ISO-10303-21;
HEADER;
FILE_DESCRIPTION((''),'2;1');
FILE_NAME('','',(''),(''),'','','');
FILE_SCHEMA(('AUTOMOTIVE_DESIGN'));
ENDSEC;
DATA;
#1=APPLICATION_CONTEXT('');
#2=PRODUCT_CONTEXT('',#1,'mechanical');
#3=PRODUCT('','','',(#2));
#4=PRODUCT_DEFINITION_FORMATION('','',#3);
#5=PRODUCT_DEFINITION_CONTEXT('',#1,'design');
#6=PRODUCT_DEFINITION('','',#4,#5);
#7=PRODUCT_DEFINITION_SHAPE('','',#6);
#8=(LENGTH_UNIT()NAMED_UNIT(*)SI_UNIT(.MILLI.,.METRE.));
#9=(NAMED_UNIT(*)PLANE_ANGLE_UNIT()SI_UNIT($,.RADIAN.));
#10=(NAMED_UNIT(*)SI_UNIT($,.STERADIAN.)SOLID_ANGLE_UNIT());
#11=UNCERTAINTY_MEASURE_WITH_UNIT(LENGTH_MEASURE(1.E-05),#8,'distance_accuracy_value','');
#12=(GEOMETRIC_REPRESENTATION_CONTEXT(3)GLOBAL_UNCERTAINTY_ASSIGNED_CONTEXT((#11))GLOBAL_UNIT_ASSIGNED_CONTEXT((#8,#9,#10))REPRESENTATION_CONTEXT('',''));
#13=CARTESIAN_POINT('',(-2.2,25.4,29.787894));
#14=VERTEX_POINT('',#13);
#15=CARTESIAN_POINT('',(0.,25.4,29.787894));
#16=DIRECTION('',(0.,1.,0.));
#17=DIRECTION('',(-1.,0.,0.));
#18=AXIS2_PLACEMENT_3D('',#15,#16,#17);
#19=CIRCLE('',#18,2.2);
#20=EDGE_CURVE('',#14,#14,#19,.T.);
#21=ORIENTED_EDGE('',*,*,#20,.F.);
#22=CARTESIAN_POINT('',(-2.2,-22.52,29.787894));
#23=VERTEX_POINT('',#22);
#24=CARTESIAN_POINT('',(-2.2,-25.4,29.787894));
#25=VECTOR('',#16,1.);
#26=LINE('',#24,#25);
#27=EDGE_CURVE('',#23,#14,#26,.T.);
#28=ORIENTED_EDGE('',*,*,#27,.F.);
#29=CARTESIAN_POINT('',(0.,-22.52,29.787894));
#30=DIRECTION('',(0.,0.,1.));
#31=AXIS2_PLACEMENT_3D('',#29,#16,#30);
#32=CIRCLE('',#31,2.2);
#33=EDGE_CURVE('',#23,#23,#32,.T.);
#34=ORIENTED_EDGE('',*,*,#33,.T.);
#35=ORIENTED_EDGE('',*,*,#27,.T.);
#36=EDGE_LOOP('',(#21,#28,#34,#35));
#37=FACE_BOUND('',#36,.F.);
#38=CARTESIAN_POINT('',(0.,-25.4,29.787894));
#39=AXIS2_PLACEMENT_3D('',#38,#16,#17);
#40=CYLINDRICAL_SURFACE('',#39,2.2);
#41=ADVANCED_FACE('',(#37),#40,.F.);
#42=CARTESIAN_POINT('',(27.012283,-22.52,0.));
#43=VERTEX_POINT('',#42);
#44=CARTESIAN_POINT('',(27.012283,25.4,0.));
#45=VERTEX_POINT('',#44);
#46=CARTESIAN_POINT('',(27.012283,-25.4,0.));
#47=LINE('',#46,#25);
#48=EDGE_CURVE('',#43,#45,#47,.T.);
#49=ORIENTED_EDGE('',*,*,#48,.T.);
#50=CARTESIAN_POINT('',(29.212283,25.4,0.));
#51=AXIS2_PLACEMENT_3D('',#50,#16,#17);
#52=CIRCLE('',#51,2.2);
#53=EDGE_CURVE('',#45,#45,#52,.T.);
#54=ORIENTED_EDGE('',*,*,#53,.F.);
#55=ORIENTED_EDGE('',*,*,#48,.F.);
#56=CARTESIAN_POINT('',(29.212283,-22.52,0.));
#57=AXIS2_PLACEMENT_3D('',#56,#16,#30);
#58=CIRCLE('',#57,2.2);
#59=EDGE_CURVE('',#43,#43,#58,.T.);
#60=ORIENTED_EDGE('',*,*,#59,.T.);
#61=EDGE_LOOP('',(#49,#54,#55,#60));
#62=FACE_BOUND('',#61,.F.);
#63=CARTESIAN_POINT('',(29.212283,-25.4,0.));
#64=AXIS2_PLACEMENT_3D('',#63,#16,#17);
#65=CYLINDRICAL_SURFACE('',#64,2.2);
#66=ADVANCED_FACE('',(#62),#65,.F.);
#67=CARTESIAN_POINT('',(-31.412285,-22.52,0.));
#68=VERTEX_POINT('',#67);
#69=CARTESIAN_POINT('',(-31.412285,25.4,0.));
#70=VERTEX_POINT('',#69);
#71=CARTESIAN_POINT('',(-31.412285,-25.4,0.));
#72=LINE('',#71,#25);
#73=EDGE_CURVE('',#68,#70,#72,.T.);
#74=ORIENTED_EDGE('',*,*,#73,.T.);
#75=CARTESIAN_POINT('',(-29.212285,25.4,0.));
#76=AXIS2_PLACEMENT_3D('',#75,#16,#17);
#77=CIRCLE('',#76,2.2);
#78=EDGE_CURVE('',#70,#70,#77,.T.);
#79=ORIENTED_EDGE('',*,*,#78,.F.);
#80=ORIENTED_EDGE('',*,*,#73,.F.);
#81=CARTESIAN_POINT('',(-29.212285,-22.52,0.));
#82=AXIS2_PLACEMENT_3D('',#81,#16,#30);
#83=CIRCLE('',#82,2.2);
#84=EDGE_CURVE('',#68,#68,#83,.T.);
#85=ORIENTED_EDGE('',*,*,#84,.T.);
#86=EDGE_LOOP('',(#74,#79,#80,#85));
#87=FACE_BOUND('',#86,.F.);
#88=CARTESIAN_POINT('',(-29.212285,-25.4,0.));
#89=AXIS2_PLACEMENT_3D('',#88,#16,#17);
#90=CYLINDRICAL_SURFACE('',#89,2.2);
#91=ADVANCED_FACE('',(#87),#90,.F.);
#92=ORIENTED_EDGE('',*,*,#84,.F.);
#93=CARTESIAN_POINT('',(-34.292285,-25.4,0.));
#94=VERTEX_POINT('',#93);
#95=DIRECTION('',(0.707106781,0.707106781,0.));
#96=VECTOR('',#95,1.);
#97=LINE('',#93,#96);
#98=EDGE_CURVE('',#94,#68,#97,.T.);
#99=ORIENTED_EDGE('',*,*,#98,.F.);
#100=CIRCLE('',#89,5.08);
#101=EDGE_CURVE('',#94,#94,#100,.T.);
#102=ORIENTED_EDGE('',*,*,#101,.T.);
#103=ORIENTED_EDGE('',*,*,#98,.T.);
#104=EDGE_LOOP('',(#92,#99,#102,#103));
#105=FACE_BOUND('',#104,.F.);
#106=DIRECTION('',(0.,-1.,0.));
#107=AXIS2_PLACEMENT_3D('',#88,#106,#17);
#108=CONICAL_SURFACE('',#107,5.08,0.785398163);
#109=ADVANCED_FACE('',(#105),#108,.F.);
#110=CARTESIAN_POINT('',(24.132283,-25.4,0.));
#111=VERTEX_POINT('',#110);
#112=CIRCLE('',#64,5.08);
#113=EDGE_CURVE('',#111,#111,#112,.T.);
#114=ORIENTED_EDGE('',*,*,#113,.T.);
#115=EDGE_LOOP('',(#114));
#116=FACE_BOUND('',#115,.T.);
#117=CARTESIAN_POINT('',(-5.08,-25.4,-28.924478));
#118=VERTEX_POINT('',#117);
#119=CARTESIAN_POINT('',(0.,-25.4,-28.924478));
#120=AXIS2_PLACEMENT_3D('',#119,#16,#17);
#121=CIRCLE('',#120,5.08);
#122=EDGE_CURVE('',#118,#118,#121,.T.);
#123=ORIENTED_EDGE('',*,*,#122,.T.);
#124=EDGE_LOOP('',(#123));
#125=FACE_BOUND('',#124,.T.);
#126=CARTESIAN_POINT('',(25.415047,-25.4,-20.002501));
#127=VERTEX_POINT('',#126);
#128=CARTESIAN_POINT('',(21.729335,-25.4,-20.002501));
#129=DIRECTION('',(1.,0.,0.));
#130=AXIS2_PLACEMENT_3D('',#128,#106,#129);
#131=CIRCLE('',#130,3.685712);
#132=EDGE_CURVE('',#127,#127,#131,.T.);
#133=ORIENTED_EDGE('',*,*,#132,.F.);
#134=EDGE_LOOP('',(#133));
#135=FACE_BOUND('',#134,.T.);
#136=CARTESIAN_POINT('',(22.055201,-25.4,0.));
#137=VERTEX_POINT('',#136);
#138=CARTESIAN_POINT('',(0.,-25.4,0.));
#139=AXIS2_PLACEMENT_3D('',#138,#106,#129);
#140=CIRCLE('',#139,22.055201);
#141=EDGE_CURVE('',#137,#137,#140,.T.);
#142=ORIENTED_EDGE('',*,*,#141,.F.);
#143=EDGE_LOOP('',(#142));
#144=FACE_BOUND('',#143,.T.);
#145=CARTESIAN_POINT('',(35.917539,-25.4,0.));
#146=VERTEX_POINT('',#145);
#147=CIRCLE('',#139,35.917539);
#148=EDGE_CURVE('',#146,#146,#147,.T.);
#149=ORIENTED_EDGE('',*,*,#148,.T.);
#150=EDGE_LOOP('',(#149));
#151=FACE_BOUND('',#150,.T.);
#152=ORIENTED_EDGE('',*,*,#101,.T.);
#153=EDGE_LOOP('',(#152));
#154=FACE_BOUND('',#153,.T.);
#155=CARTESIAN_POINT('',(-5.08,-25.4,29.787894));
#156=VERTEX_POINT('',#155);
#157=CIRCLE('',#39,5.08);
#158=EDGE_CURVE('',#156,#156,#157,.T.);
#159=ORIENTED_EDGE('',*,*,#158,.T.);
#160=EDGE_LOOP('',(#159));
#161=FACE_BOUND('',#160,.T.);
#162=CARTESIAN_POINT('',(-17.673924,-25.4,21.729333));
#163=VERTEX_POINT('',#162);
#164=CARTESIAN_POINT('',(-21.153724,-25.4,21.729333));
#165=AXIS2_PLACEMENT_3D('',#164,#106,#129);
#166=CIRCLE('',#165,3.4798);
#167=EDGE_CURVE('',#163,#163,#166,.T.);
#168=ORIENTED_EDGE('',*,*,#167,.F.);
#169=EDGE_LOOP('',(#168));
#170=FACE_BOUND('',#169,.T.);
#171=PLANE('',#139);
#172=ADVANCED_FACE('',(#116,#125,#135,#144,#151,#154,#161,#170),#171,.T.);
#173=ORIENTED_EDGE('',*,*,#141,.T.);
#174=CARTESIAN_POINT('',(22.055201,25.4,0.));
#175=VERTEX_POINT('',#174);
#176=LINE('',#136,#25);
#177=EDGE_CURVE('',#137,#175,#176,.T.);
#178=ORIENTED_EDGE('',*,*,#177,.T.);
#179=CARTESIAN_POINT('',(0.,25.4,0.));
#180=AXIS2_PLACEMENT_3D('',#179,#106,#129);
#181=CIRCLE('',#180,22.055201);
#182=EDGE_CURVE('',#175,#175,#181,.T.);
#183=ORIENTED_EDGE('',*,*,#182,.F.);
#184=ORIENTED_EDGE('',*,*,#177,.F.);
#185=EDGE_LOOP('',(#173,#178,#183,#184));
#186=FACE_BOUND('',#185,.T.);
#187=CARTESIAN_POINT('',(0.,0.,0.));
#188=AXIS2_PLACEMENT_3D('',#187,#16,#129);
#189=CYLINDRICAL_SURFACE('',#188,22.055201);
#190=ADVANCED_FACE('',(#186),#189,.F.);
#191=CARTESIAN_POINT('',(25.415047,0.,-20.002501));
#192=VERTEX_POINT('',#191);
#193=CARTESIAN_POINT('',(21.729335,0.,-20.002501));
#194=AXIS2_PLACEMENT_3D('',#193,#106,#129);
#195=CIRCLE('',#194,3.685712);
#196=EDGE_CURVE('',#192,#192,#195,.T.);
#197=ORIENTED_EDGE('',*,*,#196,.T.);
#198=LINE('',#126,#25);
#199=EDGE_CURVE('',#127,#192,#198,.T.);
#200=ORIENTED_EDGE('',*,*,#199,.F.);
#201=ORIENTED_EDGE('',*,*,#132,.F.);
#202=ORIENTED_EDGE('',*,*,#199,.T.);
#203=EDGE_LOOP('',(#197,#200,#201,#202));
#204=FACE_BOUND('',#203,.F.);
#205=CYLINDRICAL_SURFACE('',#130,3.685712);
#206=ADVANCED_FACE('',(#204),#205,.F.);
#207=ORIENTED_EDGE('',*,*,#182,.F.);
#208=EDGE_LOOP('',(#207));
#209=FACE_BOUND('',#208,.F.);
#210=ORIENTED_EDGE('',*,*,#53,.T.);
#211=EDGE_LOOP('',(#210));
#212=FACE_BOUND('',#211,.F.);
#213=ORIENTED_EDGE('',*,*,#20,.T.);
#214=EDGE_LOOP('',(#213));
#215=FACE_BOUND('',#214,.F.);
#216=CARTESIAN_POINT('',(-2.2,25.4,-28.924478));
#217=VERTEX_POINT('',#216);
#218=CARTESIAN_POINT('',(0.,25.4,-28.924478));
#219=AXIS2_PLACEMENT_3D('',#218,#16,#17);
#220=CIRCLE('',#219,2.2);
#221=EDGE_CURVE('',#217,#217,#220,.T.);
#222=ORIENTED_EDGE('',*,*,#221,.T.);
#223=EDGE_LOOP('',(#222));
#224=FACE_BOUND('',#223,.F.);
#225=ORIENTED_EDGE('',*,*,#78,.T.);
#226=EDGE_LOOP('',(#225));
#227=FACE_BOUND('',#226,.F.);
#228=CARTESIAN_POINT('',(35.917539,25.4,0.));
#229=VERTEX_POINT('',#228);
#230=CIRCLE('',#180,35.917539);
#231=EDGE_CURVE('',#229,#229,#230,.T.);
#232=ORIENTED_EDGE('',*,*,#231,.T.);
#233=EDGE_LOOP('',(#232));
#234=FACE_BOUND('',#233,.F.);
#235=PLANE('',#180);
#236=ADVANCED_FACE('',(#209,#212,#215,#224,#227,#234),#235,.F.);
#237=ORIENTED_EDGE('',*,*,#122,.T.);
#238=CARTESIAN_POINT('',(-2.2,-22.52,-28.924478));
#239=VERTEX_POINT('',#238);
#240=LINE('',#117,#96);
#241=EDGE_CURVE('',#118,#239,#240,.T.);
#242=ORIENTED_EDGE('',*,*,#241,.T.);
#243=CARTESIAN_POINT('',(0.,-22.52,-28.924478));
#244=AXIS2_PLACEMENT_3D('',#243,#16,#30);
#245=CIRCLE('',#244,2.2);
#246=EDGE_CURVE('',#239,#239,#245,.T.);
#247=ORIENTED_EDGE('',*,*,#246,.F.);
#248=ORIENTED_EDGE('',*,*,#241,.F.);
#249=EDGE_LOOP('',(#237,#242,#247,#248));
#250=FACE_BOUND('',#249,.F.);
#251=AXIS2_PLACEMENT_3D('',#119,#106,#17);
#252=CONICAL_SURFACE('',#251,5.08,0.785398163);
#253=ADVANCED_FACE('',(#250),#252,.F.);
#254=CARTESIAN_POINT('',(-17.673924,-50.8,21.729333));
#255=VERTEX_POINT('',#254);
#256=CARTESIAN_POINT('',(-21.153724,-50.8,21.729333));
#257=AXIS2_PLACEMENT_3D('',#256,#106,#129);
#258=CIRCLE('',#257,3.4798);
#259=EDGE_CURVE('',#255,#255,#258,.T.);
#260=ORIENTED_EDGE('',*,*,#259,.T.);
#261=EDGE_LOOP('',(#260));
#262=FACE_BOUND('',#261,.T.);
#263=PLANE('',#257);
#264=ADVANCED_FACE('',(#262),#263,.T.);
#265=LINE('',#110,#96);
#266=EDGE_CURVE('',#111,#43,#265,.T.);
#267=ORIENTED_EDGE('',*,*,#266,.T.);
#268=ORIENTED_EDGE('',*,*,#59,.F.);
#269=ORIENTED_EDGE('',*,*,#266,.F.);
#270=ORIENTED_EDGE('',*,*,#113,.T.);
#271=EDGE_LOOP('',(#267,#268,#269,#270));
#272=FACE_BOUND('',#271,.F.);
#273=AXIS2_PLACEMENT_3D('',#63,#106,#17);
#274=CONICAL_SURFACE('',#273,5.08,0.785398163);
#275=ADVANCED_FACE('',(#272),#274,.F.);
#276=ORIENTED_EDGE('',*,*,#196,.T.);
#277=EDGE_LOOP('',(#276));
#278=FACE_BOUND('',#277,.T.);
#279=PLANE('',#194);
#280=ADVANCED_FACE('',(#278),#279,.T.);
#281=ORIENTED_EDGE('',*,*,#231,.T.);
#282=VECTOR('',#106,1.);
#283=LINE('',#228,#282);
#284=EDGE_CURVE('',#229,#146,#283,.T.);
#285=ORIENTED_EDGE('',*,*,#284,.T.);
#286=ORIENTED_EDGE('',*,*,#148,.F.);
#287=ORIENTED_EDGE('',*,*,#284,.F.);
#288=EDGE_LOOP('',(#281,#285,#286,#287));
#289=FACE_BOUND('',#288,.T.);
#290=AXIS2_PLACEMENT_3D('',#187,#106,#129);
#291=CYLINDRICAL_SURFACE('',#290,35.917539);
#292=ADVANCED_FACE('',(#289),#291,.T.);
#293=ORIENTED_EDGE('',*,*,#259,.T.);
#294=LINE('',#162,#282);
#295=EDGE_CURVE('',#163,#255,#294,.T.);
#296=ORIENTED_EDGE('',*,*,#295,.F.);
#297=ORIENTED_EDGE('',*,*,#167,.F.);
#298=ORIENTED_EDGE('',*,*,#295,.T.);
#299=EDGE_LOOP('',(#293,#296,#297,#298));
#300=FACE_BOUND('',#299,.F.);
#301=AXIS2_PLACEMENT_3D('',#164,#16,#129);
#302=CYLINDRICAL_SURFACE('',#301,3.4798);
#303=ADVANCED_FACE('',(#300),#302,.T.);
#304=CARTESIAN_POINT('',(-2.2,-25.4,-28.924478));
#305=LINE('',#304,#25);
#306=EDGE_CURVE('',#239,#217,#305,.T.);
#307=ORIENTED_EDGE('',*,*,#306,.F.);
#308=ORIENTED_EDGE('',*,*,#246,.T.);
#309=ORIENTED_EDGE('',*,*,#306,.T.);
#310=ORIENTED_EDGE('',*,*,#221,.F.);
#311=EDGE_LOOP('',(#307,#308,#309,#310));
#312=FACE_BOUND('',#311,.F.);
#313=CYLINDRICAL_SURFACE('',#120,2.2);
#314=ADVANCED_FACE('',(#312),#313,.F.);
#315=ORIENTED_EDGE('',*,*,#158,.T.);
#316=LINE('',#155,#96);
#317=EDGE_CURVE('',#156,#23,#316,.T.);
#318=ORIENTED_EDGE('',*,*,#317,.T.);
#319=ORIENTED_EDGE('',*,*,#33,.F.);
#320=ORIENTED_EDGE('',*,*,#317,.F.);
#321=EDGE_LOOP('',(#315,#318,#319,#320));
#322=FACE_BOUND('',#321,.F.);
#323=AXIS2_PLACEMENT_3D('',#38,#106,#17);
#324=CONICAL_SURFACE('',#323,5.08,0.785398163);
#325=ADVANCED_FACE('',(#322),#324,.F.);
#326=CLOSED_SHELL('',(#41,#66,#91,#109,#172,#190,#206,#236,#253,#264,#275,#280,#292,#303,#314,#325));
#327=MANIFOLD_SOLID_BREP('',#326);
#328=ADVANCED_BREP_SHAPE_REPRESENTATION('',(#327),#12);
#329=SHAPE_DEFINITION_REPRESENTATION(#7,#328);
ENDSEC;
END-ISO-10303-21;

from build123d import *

# Parameters (mm, degrees)
F0_R           = 35.917539
F0_R_2         = 22.055201
F1_DEPTH       = 25.4
F3_D           = 4.4
F3_CSINK_D     = 10.16
F3_CSINK_ANGLE = 90
F4_R           = 3.4798
F5_DEPTH       = 25.4
F6_R           = 3.685712
F7_DEPTH       = 25.4


with BuildPart() as f1:
    # F0 (on Front) → F1 (new body, symmetric)
    with BuildSketch(Plane.XZ):
        Circle(F0_R)
        Circle(F0_R_2, mode=Mode.SUBTRACT)
    extrude(amount=F1_DEPTH, both=True)

    # F3 (through all)
    with Locations(Plane.XZ.offset(25.4)):
        with Locations((-29.212285, 0), (0, 29.787894), (29.212283, 0), (0, -28.924478)):
            CounterSinkHole(F3_D / 2, F3_CSINK_D / 2, counter_sink_angle=F3_CSINK_ANGLE)

    # F4 (on face) → F5 (join)
    with BuildSketch(Plane.XZ.offset(25.4)):
        with Locations((-21.153724, 21.729333)):
            Circle(F4_R)
    extrude(amount=F5_DEPTH)

    # F6 (on face) → F7 (cut)
    with BuildSketch(Plane.XZ.offset(25.4)):
        with Locations((21.729335, -20.002501)):
            Circle(F6_R)
    extrude(amount=-F7_DEPTH, mode=Mode.SUBTRACT)


solid = f1.part
